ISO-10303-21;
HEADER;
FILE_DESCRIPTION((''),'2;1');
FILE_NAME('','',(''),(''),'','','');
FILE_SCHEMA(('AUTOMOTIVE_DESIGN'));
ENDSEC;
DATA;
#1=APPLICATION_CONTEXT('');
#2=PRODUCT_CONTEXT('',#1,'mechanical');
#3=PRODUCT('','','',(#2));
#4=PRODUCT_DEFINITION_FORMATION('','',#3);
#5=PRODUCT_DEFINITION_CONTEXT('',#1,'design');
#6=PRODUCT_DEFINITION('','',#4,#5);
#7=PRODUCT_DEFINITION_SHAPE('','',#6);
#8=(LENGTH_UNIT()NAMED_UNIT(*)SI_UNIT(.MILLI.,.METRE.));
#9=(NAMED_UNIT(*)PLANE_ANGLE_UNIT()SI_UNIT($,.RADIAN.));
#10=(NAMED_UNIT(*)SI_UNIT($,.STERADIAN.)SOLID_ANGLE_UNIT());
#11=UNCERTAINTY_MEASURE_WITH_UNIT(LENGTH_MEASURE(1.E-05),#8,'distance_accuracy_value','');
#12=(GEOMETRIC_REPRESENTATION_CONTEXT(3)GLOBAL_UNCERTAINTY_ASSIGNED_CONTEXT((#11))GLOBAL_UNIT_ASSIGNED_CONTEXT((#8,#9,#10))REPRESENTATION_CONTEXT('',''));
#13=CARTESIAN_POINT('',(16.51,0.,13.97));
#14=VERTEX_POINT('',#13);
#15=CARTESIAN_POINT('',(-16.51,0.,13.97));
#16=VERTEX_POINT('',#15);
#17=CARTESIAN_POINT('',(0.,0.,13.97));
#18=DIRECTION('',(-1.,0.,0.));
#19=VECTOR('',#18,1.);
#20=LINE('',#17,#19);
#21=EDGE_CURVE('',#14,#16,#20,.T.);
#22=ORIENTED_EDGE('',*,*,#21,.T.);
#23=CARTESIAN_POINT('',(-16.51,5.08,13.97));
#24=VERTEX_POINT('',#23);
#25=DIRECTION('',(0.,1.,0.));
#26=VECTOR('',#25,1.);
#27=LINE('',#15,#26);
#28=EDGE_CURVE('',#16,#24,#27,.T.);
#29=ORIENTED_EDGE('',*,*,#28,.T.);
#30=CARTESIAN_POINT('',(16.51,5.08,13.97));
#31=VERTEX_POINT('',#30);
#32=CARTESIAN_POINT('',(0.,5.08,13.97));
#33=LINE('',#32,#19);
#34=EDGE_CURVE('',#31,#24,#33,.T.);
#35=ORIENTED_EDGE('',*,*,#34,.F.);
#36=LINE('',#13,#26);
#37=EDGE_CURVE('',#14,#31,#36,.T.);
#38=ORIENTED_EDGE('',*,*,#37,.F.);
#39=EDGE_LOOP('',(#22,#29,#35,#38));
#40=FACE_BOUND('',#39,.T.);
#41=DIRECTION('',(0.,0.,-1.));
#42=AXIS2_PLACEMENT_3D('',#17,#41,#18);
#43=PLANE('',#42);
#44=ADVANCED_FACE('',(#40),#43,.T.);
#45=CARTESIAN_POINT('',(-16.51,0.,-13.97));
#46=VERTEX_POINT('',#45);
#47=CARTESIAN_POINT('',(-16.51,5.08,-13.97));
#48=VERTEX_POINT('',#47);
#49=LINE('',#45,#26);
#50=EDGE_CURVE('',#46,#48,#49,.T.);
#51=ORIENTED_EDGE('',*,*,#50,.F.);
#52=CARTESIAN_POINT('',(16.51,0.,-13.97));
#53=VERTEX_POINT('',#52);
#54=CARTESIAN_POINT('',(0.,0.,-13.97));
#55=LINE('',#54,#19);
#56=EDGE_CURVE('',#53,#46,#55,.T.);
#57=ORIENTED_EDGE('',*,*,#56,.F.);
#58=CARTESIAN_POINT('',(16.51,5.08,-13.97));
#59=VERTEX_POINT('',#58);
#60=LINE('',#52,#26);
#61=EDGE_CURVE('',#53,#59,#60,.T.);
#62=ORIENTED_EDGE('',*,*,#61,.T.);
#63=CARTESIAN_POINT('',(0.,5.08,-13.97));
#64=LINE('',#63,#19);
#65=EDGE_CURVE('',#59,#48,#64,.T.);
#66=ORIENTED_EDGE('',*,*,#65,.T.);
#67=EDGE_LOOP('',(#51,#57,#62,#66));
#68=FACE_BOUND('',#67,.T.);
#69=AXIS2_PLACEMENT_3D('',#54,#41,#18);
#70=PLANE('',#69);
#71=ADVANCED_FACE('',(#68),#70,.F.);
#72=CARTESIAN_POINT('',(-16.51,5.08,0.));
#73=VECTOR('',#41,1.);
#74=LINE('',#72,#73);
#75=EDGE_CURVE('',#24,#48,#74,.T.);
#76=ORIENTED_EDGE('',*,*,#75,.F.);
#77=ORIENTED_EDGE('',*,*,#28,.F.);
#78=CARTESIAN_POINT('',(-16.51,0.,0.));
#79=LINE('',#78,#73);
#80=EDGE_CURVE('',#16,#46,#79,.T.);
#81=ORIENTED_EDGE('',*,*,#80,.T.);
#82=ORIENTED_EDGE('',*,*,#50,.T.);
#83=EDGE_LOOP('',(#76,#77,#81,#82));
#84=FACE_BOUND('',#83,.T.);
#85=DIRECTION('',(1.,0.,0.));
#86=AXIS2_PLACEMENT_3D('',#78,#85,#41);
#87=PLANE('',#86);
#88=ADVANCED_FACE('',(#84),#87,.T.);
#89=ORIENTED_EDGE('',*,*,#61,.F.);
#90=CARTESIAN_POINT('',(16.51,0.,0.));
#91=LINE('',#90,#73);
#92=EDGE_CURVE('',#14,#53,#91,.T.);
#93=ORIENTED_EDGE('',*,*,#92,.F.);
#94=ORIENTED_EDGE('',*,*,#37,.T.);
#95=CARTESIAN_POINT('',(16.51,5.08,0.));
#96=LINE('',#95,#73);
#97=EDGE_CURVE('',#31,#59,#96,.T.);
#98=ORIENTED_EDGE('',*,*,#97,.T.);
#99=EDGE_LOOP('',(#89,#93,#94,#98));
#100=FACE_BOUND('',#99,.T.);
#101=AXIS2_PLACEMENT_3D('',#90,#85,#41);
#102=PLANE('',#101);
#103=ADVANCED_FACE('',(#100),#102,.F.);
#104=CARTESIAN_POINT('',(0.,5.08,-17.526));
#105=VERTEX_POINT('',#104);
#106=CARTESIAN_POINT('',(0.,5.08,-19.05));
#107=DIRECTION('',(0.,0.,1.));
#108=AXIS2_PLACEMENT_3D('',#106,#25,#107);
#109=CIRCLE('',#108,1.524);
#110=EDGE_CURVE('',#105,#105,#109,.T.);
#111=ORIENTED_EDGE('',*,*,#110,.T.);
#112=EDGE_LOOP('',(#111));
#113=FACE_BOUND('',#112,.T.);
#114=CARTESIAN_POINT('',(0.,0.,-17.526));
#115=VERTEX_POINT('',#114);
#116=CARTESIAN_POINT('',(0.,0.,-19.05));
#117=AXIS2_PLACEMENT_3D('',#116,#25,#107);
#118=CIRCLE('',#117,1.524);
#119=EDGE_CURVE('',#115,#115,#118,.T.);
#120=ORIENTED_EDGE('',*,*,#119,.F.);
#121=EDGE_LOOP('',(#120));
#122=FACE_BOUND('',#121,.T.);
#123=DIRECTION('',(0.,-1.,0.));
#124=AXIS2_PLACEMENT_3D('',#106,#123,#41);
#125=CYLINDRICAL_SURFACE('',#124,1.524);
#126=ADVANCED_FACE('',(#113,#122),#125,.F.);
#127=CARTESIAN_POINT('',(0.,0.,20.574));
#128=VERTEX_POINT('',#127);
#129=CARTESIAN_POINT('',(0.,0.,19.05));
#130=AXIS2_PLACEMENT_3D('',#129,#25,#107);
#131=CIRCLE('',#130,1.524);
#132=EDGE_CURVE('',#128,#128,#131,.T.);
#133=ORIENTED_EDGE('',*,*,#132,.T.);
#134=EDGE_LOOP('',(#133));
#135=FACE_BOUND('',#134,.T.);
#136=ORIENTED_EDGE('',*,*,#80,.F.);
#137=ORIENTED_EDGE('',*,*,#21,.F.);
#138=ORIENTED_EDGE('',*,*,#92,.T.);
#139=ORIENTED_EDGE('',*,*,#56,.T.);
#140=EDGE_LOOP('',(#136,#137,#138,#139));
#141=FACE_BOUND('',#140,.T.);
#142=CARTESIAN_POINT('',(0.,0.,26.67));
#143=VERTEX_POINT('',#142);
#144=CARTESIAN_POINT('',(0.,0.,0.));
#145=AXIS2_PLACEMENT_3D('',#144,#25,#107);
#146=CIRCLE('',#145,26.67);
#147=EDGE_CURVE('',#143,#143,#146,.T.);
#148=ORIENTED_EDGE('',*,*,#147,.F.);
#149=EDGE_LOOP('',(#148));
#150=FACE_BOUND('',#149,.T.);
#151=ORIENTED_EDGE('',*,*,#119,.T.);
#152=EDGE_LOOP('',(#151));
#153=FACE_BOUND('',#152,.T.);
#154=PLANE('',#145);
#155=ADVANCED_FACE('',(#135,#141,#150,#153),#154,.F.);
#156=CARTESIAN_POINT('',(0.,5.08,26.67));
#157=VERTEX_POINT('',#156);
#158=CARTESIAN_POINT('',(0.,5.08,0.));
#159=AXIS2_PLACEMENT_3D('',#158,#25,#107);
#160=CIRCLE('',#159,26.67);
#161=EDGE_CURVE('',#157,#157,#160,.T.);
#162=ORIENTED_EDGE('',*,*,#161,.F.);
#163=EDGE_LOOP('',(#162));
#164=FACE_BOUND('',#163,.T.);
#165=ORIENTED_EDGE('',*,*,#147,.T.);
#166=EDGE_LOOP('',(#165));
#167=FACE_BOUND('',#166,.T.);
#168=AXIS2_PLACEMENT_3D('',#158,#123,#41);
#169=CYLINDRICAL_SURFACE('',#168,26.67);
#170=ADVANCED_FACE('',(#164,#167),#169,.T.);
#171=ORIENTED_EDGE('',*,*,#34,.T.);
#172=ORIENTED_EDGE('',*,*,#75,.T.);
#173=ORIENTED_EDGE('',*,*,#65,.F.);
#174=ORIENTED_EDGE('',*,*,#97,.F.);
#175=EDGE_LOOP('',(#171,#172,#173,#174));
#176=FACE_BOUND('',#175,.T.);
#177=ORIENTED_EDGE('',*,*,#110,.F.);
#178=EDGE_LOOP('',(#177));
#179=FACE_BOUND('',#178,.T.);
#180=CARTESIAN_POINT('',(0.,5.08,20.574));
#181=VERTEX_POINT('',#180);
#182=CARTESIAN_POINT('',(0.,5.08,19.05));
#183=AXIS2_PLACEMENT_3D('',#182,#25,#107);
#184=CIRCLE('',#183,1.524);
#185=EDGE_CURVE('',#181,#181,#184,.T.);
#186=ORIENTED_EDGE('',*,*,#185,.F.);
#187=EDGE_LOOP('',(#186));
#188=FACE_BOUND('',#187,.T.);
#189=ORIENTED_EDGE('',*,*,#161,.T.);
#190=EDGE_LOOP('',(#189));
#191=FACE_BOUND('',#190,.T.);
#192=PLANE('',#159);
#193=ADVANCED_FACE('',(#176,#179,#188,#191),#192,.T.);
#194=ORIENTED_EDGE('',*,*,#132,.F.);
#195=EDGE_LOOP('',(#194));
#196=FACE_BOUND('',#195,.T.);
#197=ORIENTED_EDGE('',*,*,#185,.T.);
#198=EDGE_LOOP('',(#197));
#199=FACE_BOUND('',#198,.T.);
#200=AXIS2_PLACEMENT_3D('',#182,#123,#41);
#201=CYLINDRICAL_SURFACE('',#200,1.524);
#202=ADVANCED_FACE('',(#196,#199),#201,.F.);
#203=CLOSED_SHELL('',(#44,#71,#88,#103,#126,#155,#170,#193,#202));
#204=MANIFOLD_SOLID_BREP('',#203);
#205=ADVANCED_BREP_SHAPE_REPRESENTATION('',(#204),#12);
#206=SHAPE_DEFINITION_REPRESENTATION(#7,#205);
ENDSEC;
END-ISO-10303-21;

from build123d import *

# Parameters (mm, degrees)
SKETCH1_R           = 26.67
SKETCH1_R_2         = 1.524
BOSS_EXTRUDE2_DEPTH = 5.08
SKETCH4_W           = 33.02
SKETCH4_H           = 27.94
CUT_EXTRUDE1_DEPTH  = 6.08


with BuildPart() as part:
    # Sketch1 → Boss-Extrude2 (new body)
    with BuildSketch(Plane(origin=(0, 0, 0), x_dir=(1, 0, 0), z_dir=(0, 1, 0))):
        Circle(SKETCH1_R)
        with Locations((0, -19.05)):
            Circle(SKETCH1_R_2, mode=Mode.SUBTRACT)
        with Locations((0, 19.05)):
            Circle(SKETCH1_R_2, mode=Mode.SUBTRACT)
    extrude(amount=BOSS_EXTRUDE2_DEPTH)

    # Sketch4 → Cut-Extrude1 (cut, through all)
    with BuildSketch(Plane(origin=(0, 5.08, 0), x_dir=(1, 0, 0), z_dir=(0, 1, 0))):
        Rectangle(SKETCH4_W, SKETCH4_H)
    extrude(amount=-CUT_EXTRUDE1_DEPTH, mode=Mode.SUBTRACT)


solid = part.part
